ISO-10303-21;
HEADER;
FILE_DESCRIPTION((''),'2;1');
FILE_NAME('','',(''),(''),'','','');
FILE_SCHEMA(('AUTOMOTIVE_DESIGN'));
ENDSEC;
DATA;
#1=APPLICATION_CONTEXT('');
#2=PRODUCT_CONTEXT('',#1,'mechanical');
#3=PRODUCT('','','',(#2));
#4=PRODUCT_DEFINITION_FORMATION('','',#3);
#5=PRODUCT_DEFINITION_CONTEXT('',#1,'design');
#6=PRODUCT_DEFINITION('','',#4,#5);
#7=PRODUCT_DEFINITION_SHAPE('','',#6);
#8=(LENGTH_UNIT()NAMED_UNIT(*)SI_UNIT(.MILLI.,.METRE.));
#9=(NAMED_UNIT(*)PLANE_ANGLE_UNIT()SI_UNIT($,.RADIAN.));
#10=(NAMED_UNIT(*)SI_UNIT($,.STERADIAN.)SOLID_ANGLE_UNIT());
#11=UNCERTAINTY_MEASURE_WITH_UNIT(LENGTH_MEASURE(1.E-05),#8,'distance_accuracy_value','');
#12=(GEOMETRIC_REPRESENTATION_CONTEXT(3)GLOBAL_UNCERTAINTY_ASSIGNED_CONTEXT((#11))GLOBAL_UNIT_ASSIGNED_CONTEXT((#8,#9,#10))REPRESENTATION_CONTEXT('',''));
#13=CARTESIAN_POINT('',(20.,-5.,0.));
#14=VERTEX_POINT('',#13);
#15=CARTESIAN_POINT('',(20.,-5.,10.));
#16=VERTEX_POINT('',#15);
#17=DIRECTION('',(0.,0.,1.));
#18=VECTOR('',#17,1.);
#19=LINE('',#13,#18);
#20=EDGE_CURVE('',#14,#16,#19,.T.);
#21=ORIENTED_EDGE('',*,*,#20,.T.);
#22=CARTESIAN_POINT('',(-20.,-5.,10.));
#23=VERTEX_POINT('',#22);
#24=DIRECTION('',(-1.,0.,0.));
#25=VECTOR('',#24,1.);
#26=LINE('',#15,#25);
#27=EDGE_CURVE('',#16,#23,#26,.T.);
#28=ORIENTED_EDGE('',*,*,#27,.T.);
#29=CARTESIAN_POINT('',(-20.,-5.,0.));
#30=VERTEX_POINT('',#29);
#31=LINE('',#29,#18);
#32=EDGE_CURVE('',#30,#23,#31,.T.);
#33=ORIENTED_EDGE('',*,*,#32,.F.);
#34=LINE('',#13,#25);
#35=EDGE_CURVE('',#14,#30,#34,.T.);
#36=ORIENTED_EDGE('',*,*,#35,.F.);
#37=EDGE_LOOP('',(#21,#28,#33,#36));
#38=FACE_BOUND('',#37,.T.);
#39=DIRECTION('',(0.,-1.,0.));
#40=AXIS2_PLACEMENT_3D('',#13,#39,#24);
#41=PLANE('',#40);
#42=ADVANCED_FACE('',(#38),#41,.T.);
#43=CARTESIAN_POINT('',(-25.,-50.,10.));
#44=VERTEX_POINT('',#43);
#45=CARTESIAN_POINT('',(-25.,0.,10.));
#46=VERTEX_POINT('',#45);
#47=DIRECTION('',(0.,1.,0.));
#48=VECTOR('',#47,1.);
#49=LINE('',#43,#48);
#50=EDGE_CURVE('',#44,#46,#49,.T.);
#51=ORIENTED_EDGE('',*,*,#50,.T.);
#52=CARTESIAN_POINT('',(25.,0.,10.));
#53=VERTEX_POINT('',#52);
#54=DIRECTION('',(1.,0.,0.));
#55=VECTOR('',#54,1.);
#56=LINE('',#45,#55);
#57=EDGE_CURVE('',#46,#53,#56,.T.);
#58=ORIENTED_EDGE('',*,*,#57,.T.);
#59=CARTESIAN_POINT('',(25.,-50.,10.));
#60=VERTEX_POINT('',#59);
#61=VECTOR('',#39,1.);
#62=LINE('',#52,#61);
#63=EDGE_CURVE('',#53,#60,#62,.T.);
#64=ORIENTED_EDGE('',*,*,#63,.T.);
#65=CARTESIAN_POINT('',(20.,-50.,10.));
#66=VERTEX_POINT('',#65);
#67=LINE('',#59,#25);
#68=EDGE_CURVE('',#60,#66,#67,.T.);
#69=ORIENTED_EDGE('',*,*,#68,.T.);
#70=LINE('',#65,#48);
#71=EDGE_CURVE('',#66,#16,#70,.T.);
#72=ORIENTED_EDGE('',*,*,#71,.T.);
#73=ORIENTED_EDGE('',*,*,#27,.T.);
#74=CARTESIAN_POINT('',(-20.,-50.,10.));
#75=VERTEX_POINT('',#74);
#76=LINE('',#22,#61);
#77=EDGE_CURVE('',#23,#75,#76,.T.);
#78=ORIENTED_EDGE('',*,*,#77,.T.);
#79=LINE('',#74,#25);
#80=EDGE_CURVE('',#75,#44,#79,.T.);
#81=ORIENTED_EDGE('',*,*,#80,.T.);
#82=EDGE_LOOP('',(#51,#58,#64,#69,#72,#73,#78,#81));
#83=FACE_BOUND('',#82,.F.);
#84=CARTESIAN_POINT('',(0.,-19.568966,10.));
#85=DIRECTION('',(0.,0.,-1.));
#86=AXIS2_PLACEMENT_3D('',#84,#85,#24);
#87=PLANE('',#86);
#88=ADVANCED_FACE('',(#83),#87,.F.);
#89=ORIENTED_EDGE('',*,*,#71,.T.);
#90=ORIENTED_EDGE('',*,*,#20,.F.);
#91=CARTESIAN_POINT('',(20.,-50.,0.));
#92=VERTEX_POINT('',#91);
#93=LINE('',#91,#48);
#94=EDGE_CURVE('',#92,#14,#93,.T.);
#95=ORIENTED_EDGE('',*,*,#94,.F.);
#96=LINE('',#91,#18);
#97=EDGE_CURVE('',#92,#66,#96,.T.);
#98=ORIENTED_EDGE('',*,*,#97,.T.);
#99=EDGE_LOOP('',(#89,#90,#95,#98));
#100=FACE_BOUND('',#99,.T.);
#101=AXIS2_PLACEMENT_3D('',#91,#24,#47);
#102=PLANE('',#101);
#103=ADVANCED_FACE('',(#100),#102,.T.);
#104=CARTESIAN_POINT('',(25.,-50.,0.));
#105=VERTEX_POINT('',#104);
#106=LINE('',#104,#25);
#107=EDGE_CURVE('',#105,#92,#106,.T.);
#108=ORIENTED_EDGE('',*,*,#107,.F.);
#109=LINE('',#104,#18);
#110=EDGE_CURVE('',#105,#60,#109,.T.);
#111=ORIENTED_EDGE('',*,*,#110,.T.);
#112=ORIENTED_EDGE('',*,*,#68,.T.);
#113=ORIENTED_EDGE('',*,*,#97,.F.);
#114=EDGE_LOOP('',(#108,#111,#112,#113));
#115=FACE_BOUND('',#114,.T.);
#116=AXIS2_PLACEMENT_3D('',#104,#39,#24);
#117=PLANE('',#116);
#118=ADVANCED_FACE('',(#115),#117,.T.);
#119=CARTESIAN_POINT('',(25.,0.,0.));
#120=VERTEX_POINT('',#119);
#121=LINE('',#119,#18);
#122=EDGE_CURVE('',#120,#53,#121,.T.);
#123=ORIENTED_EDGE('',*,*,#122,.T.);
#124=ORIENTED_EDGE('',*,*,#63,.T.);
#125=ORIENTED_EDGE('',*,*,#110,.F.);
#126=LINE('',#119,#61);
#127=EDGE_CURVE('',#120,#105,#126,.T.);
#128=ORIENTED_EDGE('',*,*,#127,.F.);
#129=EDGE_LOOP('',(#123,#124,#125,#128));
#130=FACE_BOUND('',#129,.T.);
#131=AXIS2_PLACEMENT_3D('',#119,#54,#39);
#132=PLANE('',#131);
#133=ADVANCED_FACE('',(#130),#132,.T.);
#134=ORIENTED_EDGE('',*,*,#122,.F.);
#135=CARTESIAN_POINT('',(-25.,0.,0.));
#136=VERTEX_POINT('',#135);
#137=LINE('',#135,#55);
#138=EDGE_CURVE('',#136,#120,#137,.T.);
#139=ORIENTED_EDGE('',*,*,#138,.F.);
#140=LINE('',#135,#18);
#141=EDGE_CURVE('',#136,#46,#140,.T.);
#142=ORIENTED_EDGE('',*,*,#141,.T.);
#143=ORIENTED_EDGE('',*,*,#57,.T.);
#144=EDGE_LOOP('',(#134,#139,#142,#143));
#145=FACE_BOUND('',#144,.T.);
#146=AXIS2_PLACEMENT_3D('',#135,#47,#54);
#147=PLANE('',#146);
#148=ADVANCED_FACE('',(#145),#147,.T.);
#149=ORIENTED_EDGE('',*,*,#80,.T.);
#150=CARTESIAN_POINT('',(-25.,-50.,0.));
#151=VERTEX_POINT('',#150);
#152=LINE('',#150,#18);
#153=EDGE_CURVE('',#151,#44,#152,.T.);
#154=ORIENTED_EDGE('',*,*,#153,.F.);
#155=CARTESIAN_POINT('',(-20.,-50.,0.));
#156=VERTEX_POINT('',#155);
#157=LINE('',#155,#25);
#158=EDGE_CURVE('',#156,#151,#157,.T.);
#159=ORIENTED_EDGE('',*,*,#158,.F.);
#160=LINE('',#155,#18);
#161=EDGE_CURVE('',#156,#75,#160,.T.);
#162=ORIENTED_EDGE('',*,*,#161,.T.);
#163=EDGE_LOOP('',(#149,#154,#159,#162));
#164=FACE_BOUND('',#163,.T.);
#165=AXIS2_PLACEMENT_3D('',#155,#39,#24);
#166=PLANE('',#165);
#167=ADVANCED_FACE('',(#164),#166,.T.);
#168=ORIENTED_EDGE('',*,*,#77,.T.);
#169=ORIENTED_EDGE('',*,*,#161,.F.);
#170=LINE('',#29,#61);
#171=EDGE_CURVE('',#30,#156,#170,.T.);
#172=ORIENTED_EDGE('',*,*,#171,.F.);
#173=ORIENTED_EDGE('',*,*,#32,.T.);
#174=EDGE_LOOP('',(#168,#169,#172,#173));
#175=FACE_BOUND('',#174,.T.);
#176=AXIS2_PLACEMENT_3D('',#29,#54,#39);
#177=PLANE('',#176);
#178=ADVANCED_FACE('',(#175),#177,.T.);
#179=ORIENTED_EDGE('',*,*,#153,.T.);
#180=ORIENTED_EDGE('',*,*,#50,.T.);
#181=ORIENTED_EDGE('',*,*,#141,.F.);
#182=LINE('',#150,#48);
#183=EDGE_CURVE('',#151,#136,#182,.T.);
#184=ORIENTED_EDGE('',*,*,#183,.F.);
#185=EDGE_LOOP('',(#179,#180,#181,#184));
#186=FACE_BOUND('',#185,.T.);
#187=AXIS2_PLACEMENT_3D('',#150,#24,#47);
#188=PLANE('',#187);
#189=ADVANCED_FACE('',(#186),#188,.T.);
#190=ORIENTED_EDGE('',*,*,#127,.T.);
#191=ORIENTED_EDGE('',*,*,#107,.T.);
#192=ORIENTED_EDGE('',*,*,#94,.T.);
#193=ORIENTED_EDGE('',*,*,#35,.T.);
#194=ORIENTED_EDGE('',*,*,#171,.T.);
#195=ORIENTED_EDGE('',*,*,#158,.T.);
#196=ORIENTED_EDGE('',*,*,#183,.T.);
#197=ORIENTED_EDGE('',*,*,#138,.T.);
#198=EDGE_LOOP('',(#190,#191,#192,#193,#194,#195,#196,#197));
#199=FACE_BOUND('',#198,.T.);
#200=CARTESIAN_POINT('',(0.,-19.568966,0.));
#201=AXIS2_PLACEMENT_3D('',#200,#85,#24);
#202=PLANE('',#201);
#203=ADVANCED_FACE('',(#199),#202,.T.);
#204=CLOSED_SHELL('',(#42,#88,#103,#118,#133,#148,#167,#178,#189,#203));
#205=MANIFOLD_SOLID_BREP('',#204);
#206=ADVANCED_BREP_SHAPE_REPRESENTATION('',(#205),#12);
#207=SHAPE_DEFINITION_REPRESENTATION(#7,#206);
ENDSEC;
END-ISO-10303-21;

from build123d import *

# Parameters (mm, degrees)
PAD_DEPTH = 10


with BuildPart() as part:
    # Sketch → Pad (new body)
    with BuildSketch(Plane.XY):
        Polygon((-25, 0), (25, 0), (25, -50), (20, -50), (20, -5), (-20, -5), (-20, -50), (-25, -50), align=None)
    extrude(amount=PAD_DEPTH)


solid = part.part
